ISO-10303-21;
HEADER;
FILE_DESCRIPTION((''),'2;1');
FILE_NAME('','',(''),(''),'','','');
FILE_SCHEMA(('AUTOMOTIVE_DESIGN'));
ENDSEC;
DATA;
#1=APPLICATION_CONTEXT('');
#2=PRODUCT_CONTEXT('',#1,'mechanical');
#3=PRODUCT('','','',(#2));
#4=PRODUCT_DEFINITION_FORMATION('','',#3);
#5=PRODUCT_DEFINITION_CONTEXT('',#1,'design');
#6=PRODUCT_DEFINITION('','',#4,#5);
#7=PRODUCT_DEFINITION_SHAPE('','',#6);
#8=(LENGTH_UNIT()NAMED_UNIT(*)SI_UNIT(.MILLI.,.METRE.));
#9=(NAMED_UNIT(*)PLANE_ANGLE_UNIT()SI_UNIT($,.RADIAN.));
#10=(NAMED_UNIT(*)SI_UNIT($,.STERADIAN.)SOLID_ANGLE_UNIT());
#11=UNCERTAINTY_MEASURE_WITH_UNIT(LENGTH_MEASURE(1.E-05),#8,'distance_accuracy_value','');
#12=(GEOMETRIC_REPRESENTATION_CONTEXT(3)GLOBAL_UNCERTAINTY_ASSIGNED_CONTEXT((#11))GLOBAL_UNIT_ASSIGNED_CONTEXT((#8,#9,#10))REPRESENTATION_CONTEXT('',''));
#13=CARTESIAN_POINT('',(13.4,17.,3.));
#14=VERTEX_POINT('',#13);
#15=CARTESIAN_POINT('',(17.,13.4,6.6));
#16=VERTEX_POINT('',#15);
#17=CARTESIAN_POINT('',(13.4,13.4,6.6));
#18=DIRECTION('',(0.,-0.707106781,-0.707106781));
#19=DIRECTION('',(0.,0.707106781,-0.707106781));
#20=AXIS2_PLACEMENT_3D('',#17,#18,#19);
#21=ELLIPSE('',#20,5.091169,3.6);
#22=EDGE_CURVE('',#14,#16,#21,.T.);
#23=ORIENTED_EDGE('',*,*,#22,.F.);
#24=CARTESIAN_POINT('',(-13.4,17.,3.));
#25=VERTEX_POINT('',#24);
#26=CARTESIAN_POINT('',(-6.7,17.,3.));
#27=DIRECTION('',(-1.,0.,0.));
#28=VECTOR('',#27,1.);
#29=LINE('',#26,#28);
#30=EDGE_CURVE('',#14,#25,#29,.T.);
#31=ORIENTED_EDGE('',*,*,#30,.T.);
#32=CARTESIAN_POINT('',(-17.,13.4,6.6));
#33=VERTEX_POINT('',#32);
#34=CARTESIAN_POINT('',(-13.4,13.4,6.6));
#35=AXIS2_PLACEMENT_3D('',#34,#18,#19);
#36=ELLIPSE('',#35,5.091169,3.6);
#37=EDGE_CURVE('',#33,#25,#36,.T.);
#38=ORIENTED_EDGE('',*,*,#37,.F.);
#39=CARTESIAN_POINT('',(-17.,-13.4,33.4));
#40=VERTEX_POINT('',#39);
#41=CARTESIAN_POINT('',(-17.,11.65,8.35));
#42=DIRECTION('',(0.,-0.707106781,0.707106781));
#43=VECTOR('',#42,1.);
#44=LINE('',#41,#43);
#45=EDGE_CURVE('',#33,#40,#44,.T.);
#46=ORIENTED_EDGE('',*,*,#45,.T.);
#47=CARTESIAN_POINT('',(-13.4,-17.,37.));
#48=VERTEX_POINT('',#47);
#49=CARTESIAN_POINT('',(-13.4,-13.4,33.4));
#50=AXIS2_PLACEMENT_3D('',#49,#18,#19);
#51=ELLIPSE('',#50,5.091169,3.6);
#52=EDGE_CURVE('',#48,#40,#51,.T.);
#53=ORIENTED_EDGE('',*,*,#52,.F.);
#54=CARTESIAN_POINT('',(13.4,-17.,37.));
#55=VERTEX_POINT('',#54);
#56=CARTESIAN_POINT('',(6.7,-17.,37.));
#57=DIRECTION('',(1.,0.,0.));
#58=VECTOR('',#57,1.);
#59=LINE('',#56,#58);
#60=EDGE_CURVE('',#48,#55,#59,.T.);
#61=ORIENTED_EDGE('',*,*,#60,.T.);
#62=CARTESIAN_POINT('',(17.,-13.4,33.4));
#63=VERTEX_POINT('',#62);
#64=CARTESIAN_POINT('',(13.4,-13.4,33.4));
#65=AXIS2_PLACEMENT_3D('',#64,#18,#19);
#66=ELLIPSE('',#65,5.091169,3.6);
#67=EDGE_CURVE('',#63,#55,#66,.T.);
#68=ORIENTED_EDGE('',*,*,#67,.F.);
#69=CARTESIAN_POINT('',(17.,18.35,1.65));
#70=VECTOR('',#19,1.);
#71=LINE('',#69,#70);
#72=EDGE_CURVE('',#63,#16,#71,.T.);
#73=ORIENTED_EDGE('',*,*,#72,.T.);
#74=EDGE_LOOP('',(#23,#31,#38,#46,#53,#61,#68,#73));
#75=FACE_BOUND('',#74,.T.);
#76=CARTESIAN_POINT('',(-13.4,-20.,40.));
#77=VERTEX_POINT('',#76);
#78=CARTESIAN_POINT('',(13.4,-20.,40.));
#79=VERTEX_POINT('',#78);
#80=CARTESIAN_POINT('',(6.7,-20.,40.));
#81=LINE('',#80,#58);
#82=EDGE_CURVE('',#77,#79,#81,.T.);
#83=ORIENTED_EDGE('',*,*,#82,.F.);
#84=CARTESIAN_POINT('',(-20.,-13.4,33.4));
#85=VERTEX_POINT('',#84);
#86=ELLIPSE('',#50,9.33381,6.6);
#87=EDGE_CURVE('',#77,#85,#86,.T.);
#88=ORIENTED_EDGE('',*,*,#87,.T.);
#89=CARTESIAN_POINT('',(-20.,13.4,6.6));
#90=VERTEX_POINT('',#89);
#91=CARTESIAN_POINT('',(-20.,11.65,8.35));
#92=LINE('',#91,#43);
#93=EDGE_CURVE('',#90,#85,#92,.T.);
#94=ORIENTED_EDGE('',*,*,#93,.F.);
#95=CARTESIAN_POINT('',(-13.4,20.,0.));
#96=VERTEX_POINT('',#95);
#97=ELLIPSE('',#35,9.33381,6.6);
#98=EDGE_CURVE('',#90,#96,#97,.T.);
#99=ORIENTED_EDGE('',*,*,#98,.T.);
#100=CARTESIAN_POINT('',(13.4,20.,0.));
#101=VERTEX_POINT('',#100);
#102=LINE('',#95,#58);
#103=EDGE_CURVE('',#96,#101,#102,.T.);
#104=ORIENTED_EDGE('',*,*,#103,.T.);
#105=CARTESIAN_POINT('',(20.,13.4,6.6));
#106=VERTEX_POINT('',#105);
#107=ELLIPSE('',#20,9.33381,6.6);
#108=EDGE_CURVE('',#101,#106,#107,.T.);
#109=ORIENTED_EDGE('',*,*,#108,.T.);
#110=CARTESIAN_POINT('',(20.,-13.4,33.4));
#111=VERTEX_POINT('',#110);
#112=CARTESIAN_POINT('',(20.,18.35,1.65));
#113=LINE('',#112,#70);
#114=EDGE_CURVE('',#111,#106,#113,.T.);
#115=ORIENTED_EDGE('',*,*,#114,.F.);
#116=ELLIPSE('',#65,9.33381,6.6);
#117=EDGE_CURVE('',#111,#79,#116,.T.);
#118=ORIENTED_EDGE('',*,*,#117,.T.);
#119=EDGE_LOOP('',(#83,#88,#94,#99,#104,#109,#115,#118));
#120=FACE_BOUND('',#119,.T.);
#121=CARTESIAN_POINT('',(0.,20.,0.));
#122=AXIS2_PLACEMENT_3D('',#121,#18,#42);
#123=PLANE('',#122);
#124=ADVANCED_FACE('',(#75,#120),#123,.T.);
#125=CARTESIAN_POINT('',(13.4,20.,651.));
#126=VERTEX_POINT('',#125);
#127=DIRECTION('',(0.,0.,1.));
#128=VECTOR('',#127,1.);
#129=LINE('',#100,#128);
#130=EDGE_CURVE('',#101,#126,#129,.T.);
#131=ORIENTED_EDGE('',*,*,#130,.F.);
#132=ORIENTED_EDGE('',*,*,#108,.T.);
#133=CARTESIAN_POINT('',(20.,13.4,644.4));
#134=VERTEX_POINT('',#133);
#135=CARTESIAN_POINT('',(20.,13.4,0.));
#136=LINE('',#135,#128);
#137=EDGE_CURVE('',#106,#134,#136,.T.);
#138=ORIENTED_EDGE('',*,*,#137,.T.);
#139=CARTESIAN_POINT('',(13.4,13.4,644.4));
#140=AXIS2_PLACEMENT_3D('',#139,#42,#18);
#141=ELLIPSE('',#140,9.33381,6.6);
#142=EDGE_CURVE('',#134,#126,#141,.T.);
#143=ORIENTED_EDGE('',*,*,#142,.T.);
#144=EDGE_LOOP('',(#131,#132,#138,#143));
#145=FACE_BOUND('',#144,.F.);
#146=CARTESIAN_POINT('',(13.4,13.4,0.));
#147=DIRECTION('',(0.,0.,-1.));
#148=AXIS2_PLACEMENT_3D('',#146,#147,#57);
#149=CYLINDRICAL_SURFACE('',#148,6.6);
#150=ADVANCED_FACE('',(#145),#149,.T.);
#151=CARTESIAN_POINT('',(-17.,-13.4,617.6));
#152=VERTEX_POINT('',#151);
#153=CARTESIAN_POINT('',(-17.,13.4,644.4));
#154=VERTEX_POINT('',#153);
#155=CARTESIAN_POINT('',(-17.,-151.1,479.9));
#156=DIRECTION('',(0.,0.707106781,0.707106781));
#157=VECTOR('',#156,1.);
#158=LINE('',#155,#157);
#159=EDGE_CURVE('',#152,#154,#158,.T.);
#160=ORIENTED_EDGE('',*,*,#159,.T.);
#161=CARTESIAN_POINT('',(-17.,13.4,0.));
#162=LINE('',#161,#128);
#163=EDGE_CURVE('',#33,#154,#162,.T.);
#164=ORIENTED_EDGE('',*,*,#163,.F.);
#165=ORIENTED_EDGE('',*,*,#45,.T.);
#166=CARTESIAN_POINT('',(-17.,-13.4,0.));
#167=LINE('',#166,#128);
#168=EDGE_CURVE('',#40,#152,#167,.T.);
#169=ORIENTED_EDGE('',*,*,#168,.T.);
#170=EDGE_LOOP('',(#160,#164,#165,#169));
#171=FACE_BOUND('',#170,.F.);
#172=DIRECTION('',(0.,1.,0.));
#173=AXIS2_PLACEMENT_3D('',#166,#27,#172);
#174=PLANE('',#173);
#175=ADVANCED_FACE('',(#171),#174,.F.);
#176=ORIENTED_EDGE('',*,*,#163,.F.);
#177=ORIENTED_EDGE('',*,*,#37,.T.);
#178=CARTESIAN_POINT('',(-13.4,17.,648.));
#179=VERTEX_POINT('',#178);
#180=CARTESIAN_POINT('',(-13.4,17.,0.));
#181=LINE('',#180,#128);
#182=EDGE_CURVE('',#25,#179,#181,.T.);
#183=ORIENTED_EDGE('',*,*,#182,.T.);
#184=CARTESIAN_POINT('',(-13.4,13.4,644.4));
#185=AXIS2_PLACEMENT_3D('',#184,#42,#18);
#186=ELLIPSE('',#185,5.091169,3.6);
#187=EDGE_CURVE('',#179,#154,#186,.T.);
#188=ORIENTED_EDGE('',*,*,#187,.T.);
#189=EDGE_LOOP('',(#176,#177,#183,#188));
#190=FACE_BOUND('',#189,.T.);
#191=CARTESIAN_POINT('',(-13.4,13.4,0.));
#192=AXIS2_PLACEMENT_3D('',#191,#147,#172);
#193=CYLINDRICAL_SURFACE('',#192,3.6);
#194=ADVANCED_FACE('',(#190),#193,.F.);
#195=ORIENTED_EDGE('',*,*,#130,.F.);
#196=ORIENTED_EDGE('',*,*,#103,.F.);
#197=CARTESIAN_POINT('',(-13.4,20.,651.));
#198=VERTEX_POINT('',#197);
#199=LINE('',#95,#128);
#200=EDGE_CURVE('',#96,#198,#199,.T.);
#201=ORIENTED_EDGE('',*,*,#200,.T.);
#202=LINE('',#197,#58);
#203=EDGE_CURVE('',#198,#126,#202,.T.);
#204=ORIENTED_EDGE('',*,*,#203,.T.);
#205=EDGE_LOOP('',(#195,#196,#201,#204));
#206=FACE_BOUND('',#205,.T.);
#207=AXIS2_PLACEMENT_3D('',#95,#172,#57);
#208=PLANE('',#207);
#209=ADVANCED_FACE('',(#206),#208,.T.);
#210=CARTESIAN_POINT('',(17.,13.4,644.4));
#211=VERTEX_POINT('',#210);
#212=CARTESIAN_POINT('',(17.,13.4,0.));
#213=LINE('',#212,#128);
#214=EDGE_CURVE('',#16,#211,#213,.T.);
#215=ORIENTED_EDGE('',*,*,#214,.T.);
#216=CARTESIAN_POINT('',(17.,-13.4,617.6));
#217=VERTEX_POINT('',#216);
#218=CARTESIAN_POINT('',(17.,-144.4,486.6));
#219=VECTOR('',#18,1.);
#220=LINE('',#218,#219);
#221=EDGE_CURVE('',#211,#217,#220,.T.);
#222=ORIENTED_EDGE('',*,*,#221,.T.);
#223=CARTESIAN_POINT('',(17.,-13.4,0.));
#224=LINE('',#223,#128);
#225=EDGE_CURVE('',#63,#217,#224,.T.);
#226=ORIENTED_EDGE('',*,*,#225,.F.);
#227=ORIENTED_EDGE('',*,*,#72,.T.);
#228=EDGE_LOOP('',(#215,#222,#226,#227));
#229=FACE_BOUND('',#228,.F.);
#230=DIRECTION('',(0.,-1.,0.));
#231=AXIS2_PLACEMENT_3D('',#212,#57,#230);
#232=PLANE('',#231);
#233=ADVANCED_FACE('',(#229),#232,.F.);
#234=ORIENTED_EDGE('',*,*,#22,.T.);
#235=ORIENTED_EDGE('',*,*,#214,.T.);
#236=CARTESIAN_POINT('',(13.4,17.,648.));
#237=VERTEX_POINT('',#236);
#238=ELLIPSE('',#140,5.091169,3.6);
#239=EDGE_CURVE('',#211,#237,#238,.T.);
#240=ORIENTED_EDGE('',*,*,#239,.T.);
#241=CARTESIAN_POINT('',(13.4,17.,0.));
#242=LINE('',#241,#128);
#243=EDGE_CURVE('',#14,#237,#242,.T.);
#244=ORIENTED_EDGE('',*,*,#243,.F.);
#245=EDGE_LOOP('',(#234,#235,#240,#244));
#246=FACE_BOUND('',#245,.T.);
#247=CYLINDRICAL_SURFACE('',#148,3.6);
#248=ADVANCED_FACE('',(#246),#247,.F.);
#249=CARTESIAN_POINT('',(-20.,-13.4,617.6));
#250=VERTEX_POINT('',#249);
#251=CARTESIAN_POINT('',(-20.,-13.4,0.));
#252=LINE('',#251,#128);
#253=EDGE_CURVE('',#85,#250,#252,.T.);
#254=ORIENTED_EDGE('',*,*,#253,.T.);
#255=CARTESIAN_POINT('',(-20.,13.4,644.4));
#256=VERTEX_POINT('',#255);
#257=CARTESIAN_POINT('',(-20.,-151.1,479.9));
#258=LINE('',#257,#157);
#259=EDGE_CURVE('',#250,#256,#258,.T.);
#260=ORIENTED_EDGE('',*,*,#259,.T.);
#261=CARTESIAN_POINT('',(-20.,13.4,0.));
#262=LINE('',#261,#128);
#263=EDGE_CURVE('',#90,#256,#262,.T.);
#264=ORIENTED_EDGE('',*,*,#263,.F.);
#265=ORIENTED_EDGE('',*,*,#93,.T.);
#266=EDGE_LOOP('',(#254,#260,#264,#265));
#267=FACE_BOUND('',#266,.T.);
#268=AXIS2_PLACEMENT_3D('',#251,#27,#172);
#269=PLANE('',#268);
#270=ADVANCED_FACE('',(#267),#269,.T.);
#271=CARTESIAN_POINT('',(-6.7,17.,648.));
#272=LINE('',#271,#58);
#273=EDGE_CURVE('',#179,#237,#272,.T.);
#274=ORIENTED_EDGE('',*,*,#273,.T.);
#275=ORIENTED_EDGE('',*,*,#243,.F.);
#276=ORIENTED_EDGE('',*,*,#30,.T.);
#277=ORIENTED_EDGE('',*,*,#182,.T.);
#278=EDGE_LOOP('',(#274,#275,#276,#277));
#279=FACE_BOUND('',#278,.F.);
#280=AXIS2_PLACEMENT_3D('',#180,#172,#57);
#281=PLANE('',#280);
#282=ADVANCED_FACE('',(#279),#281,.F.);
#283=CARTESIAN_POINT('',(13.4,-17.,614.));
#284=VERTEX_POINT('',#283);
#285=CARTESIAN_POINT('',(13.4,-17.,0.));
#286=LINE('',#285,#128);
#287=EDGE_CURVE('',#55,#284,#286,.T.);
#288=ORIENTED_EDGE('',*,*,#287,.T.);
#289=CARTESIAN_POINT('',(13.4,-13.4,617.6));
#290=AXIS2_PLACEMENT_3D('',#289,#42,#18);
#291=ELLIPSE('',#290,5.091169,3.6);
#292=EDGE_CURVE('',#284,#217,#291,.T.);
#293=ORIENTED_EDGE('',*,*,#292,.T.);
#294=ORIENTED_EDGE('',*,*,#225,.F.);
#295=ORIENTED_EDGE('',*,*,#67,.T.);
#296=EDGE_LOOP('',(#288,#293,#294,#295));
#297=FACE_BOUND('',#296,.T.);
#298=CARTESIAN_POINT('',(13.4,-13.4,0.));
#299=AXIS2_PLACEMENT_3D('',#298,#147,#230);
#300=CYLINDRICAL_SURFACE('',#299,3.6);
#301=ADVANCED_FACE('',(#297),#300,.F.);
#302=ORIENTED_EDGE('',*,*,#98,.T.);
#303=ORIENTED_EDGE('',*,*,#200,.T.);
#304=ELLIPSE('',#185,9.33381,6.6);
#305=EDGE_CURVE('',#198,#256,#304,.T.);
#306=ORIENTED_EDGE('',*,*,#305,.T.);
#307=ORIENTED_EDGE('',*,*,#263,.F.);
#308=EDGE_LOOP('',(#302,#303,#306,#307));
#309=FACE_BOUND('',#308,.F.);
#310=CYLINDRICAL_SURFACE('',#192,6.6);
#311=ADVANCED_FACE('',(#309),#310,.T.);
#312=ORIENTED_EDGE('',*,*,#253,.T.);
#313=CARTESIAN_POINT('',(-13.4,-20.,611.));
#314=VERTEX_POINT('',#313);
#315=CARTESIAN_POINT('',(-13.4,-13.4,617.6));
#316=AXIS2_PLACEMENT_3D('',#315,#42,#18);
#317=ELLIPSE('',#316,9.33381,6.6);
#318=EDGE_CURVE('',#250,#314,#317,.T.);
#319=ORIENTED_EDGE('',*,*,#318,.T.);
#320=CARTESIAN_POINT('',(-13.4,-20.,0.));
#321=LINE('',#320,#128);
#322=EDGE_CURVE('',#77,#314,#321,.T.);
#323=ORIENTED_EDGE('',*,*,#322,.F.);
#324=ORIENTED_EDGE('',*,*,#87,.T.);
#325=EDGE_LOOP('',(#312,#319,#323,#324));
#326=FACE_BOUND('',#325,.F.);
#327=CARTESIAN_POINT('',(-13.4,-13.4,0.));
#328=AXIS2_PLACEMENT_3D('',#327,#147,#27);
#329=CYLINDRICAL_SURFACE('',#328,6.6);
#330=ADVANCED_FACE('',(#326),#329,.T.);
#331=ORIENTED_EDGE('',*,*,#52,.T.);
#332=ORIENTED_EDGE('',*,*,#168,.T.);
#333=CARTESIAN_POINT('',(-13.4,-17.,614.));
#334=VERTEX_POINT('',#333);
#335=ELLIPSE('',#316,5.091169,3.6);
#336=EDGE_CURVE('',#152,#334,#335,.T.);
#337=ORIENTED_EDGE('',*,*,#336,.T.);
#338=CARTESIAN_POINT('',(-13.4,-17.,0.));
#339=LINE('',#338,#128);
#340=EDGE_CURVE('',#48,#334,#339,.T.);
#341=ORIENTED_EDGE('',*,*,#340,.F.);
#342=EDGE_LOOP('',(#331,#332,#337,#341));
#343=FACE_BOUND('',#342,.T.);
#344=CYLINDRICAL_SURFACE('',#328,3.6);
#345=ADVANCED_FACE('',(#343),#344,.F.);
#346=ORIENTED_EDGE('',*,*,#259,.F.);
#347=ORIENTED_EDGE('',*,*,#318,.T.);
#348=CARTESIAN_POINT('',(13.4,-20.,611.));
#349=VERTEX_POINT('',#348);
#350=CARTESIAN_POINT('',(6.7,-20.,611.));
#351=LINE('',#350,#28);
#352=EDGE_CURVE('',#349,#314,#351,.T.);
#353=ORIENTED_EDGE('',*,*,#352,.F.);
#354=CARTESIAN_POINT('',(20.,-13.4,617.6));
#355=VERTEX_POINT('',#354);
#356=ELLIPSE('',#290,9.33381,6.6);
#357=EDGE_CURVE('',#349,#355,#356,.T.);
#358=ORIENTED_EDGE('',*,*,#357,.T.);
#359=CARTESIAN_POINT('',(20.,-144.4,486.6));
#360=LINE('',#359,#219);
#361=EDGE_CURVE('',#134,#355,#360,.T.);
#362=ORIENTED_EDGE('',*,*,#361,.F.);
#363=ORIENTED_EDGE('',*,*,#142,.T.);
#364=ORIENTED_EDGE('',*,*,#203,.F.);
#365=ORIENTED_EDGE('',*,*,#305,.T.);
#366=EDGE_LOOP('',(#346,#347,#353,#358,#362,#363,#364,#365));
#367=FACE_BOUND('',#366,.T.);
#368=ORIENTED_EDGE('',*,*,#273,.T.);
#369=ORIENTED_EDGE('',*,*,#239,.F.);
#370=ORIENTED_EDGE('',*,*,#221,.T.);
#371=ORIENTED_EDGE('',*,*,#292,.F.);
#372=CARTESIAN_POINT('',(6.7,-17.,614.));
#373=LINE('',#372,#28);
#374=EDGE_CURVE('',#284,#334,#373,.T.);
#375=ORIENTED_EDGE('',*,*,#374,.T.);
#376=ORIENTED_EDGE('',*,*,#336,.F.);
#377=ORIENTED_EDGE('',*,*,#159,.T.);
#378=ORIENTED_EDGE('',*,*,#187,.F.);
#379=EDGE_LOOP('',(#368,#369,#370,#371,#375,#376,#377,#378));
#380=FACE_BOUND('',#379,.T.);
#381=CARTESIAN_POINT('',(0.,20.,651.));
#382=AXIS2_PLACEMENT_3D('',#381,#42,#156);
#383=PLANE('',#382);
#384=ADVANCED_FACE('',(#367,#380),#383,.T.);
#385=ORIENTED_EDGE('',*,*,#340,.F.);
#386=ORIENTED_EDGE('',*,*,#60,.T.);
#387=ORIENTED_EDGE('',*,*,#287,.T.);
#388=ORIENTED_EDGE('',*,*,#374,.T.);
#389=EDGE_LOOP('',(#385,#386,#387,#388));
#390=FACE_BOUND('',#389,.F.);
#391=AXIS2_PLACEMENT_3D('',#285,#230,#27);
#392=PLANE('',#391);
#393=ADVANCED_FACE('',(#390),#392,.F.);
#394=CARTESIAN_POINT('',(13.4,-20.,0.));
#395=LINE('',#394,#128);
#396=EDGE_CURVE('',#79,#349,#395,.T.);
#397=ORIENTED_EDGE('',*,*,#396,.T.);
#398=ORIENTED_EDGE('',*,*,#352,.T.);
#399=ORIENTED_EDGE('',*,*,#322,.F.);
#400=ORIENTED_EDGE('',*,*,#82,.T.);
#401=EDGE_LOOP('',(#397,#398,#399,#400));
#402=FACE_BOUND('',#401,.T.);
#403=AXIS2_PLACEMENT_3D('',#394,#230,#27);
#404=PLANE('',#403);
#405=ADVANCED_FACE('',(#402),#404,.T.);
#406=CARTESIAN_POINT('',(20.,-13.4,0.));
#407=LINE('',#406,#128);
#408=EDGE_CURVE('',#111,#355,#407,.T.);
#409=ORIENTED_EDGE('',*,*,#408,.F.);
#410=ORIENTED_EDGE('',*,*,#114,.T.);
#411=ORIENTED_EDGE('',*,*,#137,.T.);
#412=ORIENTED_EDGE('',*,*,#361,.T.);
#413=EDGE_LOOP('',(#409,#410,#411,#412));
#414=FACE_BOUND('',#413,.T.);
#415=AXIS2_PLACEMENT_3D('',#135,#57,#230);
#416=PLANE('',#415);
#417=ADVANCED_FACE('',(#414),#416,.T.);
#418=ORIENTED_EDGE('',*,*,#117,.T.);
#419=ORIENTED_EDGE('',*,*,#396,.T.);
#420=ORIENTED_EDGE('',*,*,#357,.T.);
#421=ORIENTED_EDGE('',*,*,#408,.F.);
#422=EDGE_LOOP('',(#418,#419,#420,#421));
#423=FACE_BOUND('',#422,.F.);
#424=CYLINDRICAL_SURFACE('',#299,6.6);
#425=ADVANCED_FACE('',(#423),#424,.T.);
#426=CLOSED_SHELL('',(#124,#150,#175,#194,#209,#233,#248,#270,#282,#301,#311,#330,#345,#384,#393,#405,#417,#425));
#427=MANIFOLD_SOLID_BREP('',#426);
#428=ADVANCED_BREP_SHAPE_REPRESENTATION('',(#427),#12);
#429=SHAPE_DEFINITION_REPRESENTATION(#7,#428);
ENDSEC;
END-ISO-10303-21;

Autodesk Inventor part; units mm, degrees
ref_plane "Start plane" through (0, 0, 0) normal (0, 0, 1) x (1, 0, 0)
ref_plane "End plane" through (0, 0, 651) normal (0, 0, 1) x (1, 0, 0)
sketch "Sketch" plane through (0, 0, 0) normal (0, 0, 1) x (1, 0, 0)
  line L0 (-20, -13.4) -> (-20, 13.4)
  line L1 (-13.4, 20) -> (13.4, 20)
  line L2 (20, 13.4) -> (20, -13.4)
  line L3 (13.4, -20) -> (-13.4, -20)
  arc A0 (-20, -13.4) -> (-13.4, -20) centre (-13.4, -13.4) ccw
  arc A1 (-13.4, 20) -> (-20, 13.4) centre (-13.4, 13.4) ccw
  arc A2 (20, 13.4) -> (13.4, 20) centre (13.4, 13.4) ccw
  arc A3 (13.4, -20) -> (20, -13.4) centre (13.4, -13.4) ccw
  arc A4 (-13.4, 17) -> (-17, 13.4) centre (-13.4, 13.4) ccw
  line L4 (-13.4, 17) -> (13.4, 17)
  arc A5 (17, 13.4) -> (13.4, 17) centre (13.4, 13.4) ccw
  line L5 (17, 13.4) -> (17, -13.4)
  arc A6 (13.4, -17) -> (17, -13.4) centre (13.4, -13.4) ccw
  line L6 (13.4, -17) -> (-13.4, -17)
  arc A7 (-17, -13.4) -> (-13.4, -17) centre (-13.4, -13.4) ccw
  line L7 (-17, -13.4) -> (-17, 13.4)
  line L8 (0, 22.0873) -> (0, -22.0873) construction
  line L9 (-22.0873, 0) -> (22.0873, 0) construction
  dimension "d7" = 6.6
  dimension "d10" = 40
  dimension "d11" = 40
  dimension "d12" = 3
  dimension "d15" = 20
  dimension "d16" = 20
extrude "Body" add sketch "Sketch" along normal up to surface (651 mm away) from surface at 0
sketch "Sketch3" plane through (0, 0, 0) normal (0, 0, 1) x (1, 0, 0)
  line L0 (0, 0) -> (10, 0)
ref_plane "Work Plane3" through (0, 0, 0) normal (0, -1, 0) x (1, 0, 0)
sketch "Sketch4" plane through (0, 0, 0) normal (0, -1, 0) x (1, 0, 0)
  line L0 (-2, 0) -> (12, 0)
  line L1 (-2, 651) -> (12, 651)
  dimension "d18" = 651
ref_plane "Work Plane5" through (0, 20, 651) normal (0, -0.7071, 0.7071) x (1, 0, 0)
split "Split2" plane through (0, 20, 651) removes the side toward (0, -0.7071, 0.7071)
ref_plane "Work Plane6" through (0, 20, 0) normal (0, -0.7071, -0.7071) x (1, 0, 0)
split "Split3" plane through (0, 20, 0) removes the side toward (0, -0.7071, -0.7071)
equation "\"d7\" = G_IR"
equation "\"d10\" = G_H"
equation "\"d11\" = G_W"
equation "\"d12\" = G_T"
equation "\"d15\" = 0.5 * d10"
equation "\"d16\" = 0.5 * d11"
equation "\"d3\" = G_L"
equation "\"G_W\" = 40"
equation "\"G_H\" = 40"
equation "\"G_T\" = 3"
equation "\"G_IR\" = 6.6"
equation "\"G_L\" = d18"
equation "\"G_OFFSET_START\" = 0"
equation "\"G_OFFSET_END\" = 0"
equation "\"d14\" = G_OFFSET_END + B_L"
equation "\"B_L\" = 651"
properties part number "DIN EN 10305-5 - 40 x 40 x 3  - 651" material "Steel, Mild"
